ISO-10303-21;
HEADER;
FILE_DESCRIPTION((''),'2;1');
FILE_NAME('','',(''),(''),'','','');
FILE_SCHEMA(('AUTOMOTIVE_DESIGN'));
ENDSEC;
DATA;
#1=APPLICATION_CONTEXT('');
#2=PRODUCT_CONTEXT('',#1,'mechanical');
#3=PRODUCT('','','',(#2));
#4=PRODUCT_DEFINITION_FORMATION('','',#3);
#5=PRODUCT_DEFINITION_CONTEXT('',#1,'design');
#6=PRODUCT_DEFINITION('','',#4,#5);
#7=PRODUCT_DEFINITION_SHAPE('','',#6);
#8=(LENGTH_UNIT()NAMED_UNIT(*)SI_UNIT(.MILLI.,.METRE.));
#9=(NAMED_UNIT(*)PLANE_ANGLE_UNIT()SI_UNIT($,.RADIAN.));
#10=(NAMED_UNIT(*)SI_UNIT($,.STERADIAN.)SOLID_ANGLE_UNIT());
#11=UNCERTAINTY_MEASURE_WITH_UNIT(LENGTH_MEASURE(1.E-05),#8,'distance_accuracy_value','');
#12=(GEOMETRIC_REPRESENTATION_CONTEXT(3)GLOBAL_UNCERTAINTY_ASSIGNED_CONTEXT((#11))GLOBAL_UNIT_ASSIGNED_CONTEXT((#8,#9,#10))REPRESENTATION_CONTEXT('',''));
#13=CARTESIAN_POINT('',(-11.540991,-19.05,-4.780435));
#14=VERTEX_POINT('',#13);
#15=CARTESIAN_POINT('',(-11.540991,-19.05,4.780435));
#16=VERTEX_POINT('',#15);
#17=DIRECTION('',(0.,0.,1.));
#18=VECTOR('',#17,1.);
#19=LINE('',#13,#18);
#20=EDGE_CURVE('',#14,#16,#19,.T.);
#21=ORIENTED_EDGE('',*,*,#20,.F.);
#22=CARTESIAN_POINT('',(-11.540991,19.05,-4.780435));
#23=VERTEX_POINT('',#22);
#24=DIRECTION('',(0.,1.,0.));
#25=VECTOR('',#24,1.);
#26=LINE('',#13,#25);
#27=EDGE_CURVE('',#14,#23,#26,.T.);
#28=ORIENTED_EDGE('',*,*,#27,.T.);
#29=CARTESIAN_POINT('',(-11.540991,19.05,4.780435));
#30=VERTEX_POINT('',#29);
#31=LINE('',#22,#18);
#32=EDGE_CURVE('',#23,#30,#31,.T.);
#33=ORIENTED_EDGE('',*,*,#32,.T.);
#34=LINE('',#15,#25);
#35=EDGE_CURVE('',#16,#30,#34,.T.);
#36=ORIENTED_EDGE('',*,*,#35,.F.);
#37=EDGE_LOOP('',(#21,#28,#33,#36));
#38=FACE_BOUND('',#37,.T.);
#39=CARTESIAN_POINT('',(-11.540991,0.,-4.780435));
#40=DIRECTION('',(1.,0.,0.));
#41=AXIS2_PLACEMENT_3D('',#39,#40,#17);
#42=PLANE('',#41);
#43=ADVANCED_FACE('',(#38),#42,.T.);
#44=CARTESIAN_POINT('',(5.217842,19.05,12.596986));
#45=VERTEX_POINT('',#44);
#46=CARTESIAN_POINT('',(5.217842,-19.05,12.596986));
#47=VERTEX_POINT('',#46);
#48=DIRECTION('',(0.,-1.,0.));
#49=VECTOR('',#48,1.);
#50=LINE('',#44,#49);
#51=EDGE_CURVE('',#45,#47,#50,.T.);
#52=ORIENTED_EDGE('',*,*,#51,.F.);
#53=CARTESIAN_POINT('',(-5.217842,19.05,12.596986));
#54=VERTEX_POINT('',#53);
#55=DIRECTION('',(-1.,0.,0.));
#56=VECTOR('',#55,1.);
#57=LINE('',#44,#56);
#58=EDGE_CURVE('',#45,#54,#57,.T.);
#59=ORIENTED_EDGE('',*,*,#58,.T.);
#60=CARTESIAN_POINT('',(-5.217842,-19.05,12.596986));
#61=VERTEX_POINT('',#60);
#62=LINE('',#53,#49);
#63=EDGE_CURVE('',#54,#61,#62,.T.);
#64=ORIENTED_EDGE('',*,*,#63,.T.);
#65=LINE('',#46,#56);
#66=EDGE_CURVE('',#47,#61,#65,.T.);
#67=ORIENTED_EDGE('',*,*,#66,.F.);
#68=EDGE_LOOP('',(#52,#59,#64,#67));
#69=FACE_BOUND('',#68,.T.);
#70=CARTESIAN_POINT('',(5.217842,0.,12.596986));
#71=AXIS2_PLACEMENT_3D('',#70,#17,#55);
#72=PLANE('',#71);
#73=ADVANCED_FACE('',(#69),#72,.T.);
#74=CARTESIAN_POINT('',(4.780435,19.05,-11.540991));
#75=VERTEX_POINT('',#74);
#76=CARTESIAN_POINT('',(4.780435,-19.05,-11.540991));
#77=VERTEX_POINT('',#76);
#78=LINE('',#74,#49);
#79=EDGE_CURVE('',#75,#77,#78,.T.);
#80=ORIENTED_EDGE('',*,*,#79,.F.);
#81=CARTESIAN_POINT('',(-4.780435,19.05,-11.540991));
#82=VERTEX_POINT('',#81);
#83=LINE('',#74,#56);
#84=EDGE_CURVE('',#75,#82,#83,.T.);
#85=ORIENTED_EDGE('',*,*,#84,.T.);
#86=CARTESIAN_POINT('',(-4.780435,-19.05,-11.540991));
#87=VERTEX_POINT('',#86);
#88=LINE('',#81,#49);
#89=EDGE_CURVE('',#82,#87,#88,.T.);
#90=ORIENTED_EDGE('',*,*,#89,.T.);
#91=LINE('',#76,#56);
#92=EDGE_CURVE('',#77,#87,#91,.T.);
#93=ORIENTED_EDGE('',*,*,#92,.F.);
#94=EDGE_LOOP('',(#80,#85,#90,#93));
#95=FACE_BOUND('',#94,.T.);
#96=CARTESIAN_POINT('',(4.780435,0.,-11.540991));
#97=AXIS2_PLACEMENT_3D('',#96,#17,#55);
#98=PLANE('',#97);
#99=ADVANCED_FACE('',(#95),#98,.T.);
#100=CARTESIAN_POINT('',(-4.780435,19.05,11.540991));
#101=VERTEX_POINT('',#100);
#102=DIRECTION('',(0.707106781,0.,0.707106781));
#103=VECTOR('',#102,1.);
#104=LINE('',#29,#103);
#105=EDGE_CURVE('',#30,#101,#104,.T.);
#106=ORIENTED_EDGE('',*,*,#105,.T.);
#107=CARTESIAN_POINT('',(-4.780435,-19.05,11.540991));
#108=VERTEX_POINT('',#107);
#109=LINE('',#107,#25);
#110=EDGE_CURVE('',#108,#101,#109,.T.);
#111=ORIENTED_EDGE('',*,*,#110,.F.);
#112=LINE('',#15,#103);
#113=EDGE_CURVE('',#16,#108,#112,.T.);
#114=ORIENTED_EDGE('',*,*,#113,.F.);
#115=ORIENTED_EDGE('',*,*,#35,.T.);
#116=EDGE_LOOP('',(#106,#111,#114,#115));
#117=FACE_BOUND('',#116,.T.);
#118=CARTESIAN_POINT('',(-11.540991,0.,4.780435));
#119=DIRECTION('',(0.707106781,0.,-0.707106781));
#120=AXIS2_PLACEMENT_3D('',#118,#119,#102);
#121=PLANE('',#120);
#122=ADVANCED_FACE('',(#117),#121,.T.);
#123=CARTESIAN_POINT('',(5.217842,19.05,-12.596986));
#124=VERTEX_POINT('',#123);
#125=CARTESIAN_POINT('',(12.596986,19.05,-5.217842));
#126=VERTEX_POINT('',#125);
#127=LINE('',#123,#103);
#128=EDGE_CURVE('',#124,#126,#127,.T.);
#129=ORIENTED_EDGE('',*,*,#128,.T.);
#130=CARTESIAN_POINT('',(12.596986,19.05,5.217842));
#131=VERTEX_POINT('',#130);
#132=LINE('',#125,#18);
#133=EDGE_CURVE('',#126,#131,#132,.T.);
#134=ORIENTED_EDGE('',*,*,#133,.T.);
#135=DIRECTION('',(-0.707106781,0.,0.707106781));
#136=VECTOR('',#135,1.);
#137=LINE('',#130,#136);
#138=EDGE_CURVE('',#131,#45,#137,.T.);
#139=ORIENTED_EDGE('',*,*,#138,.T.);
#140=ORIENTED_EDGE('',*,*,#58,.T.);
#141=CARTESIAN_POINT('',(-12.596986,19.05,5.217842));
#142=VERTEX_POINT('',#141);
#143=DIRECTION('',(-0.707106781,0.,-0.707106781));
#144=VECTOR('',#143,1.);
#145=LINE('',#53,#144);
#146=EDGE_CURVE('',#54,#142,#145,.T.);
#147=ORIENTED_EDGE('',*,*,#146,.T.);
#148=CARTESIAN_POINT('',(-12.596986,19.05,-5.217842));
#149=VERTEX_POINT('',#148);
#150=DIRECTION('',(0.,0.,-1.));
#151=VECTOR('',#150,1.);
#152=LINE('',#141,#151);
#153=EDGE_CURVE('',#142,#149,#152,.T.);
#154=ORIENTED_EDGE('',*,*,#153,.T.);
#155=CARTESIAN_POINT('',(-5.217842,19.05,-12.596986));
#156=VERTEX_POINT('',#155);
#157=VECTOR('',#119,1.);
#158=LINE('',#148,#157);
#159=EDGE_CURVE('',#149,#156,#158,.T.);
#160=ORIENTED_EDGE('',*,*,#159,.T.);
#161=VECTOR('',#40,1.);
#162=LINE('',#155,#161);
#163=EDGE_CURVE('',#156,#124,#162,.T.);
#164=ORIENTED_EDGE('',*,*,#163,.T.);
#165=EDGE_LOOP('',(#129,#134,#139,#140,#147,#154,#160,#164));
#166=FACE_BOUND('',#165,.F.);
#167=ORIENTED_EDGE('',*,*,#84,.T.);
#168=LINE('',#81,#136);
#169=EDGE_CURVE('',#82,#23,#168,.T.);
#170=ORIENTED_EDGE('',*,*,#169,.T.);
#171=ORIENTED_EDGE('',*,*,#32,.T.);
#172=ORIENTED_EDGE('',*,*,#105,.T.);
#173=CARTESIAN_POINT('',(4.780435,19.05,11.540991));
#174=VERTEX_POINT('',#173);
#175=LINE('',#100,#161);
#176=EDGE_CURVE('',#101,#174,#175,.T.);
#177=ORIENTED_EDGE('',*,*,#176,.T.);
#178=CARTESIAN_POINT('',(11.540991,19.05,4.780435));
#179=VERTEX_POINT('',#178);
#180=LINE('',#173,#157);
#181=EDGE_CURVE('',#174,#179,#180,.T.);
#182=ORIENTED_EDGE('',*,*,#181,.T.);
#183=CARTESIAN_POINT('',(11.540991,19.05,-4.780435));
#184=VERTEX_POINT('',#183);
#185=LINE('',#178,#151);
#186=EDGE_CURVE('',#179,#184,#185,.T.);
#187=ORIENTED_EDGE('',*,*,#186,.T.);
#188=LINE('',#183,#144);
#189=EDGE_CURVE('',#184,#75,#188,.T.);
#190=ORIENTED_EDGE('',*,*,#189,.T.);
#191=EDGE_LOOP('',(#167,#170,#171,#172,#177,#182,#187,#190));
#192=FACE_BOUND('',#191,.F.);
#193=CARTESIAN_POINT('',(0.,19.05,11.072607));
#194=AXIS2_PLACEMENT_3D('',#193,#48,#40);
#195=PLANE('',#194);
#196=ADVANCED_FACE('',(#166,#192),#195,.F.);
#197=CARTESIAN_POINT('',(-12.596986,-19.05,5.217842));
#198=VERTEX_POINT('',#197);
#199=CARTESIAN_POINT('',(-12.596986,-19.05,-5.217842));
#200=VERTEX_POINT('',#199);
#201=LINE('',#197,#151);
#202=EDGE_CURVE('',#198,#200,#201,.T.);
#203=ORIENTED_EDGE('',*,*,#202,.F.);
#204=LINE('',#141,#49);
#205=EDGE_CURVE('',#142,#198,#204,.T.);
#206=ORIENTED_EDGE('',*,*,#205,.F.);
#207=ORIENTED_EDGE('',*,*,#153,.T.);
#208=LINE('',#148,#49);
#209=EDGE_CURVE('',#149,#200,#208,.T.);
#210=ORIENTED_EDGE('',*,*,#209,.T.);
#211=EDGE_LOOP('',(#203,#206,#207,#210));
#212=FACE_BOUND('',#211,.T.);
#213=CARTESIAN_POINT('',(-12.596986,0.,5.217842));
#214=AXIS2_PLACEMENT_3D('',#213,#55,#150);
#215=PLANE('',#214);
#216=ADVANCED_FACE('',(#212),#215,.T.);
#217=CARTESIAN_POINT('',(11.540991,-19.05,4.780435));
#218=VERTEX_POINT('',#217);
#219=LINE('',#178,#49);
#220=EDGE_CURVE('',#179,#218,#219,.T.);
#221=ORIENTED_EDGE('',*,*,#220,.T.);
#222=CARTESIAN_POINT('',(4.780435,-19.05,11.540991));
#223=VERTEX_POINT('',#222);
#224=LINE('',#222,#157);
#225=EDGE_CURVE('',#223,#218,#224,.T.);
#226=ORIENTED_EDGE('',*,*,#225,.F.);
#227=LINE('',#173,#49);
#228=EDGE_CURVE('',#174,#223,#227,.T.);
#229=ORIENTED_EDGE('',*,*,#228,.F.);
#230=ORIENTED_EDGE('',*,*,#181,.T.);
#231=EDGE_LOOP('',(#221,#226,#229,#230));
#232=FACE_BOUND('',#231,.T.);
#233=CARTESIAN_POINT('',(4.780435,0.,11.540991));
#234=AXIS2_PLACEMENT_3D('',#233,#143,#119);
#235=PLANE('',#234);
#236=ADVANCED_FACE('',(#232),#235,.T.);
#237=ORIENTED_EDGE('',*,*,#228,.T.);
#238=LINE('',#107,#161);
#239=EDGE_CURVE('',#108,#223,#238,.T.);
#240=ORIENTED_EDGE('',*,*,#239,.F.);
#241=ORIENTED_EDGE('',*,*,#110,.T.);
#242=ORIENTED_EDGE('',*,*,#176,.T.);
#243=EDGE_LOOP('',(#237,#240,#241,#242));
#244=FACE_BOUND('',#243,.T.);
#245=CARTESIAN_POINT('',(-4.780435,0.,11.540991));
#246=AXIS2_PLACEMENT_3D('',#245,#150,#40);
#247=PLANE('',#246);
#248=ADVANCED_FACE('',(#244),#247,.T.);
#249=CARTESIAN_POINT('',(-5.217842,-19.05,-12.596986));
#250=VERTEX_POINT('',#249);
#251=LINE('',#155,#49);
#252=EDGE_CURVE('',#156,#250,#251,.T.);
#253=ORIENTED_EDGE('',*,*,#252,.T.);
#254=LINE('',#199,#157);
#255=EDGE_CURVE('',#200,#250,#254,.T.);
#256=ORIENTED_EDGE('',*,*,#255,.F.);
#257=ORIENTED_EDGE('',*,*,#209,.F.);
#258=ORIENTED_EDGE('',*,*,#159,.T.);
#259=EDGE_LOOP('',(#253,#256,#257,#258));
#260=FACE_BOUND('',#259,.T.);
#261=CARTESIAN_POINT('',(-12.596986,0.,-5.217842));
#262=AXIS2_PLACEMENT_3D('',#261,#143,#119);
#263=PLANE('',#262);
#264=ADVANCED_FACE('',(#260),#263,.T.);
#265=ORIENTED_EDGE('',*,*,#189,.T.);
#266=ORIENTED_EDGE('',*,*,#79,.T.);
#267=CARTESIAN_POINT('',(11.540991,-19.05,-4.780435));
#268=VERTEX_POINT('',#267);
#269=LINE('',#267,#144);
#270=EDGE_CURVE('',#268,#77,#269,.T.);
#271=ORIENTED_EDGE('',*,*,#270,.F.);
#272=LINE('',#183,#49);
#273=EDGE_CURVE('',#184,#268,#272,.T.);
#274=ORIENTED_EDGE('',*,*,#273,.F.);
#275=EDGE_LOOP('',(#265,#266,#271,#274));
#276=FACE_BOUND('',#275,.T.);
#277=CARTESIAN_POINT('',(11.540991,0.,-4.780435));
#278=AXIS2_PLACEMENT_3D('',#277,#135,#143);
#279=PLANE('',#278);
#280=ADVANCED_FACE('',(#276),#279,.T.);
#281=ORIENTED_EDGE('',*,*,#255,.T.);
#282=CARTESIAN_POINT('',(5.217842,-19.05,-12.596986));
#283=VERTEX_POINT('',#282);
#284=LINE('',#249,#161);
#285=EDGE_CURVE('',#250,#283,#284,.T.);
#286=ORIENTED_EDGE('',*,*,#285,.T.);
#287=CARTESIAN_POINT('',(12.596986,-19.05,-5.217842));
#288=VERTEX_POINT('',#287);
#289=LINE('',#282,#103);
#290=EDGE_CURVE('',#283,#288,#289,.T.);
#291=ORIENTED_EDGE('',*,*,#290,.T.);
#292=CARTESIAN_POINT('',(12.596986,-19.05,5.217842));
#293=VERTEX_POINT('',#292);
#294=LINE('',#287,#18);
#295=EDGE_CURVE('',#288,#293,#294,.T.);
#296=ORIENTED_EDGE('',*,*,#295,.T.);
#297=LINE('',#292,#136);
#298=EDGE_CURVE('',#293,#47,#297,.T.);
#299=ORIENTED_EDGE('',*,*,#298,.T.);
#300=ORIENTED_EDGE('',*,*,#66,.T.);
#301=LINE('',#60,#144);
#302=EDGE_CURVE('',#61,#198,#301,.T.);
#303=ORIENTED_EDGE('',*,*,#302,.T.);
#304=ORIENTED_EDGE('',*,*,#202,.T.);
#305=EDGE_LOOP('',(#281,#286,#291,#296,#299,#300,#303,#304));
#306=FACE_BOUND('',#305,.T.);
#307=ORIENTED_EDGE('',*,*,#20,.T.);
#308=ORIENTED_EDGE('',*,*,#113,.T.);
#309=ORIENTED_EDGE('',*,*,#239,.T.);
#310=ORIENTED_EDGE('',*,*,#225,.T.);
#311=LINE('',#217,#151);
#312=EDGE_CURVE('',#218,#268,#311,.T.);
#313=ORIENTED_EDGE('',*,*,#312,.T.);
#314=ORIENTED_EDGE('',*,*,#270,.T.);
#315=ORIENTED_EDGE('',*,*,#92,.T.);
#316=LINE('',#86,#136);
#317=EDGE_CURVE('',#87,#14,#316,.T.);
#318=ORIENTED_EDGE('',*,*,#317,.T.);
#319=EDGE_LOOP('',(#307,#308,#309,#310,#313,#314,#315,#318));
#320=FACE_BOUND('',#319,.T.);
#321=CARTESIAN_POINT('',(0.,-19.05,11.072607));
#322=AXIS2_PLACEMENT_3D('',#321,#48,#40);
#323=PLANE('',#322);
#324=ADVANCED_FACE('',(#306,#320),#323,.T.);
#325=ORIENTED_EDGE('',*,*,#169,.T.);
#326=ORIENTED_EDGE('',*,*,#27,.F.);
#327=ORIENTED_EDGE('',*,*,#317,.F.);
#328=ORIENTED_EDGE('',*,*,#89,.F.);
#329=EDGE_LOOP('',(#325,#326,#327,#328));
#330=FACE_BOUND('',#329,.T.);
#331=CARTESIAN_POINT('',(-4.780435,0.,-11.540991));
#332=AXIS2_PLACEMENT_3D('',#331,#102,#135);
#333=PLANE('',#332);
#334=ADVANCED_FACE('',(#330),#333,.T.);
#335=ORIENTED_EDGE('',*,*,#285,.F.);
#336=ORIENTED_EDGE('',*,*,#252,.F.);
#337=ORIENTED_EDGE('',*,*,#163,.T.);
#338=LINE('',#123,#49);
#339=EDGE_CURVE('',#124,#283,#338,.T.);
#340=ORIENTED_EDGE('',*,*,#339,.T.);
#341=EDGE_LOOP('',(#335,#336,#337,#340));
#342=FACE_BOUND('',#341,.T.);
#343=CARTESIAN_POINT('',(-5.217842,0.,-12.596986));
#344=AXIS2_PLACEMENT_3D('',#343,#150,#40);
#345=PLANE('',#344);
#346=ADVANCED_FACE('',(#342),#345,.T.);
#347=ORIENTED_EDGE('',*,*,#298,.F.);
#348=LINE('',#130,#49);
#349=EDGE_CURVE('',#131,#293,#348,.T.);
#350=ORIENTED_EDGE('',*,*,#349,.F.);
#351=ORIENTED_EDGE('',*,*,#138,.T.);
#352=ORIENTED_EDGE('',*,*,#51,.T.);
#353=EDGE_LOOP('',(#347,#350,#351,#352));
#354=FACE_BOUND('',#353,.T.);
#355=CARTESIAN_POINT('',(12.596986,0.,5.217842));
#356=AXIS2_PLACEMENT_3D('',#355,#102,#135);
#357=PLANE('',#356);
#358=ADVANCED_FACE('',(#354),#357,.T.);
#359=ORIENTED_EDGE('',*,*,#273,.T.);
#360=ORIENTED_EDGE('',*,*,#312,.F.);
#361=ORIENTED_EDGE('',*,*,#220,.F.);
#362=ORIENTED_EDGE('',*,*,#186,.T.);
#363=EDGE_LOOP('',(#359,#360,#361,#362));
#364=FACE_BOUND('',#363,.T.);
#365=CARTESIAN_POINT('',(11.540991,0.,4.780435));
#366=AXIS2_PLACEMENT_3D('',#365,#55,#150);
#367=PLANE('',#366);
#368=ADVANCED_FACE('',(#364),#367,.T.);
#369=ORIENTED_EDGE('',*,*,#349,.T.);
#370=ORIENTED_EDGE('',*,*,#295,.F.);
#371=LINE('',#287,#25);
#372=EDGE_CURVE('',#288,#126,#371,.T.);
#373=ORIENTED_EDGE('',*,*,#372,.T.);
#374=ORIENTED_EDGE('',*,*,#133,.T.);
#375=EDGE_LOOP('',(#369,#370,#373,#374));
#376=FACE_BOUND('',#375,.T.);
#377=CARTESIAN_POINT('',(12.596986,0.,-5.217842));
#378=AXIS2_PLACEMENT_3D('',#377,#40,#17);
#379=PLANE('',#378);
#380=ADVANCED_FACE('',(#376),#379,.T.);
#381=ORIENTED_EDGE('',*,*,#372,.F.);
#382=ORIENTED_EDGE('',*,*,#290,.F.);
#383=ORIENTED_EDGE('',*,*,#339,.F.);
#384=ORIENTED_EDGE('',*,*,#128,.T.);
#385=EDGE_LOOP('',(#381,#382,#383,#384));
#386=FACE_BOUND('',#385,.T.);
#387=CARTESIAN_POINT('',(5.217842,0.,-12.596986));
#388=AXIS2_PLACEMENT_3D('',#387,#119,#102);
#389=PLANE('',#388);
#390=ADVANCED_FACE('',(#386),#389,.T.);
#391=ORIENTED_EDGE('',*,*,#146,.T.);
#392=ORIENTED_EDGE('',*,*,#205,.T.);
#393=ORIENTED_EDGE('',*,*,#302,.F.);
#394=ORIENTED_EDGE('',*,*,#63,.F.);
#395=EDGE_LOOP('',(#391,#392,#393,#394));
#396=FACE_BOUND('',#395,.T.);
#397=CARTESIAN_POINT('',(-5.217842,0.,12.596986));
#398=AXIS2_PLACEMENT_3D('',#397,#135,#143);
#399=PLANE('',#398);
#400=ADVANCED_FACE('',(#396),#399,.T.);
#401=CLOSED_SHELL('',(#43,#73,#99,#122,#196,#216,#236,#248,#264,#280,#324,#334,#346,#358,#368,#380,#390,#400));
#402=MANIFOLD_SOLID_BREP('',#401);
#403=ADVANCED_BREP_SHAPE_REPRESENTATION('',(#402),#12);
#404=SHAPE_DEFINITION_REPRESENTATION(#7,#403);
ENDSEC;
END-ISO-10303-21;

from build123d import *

# Parameters (mm, degrees)
F1_DEPTH = 19.05


with BuildPart() as f1:
    # F0 (on Front) → F1 (new body, symmetric)
    with BuildSketch(Plane.XZ):
        Polygon((-8.907414, 8.907414), (-8.160713, 8.160713), (-4.780435, 11.540991), (4.780435, 11.540991), (8.160713, 8.160713), (8.907414, 8.907414), (5.217842, 12.596986), (-5.217842, 12.596986), align=None)
        Polygon((-11.540991, 4.780435), (-8.160713, 8.160713), (-8.907414, 8.907414), (-12.596986, 5.217842), (-12.596986, -5.217842), (-8.907414, -8.907414), (-8.160713, -8.160713), (-11.540991, -4.780435), align=None)
        Polygon((8.907414, 8.907414), (8.160713, 8.160713), (11.540991, 4.780435), (11.540991, -4.780435), (8.160713, -8.160713), (8.907414, -8.907414), (12.596986, -5.217842), (12.596986, 5.217842), align=None)
        Polygon((-4.780435, -11.540991), (-8.160713, -8.160713), (-8.907414, -8.907414), (-5.217842, -12.596986), (5.217842, -12.596986), (8.907414, -8.907414), (8.160713, -8.160713), (4.780435, -11.540991), align=None)
    extrude(amount=F1_DEPTH, both=True)


solid = f1.part
